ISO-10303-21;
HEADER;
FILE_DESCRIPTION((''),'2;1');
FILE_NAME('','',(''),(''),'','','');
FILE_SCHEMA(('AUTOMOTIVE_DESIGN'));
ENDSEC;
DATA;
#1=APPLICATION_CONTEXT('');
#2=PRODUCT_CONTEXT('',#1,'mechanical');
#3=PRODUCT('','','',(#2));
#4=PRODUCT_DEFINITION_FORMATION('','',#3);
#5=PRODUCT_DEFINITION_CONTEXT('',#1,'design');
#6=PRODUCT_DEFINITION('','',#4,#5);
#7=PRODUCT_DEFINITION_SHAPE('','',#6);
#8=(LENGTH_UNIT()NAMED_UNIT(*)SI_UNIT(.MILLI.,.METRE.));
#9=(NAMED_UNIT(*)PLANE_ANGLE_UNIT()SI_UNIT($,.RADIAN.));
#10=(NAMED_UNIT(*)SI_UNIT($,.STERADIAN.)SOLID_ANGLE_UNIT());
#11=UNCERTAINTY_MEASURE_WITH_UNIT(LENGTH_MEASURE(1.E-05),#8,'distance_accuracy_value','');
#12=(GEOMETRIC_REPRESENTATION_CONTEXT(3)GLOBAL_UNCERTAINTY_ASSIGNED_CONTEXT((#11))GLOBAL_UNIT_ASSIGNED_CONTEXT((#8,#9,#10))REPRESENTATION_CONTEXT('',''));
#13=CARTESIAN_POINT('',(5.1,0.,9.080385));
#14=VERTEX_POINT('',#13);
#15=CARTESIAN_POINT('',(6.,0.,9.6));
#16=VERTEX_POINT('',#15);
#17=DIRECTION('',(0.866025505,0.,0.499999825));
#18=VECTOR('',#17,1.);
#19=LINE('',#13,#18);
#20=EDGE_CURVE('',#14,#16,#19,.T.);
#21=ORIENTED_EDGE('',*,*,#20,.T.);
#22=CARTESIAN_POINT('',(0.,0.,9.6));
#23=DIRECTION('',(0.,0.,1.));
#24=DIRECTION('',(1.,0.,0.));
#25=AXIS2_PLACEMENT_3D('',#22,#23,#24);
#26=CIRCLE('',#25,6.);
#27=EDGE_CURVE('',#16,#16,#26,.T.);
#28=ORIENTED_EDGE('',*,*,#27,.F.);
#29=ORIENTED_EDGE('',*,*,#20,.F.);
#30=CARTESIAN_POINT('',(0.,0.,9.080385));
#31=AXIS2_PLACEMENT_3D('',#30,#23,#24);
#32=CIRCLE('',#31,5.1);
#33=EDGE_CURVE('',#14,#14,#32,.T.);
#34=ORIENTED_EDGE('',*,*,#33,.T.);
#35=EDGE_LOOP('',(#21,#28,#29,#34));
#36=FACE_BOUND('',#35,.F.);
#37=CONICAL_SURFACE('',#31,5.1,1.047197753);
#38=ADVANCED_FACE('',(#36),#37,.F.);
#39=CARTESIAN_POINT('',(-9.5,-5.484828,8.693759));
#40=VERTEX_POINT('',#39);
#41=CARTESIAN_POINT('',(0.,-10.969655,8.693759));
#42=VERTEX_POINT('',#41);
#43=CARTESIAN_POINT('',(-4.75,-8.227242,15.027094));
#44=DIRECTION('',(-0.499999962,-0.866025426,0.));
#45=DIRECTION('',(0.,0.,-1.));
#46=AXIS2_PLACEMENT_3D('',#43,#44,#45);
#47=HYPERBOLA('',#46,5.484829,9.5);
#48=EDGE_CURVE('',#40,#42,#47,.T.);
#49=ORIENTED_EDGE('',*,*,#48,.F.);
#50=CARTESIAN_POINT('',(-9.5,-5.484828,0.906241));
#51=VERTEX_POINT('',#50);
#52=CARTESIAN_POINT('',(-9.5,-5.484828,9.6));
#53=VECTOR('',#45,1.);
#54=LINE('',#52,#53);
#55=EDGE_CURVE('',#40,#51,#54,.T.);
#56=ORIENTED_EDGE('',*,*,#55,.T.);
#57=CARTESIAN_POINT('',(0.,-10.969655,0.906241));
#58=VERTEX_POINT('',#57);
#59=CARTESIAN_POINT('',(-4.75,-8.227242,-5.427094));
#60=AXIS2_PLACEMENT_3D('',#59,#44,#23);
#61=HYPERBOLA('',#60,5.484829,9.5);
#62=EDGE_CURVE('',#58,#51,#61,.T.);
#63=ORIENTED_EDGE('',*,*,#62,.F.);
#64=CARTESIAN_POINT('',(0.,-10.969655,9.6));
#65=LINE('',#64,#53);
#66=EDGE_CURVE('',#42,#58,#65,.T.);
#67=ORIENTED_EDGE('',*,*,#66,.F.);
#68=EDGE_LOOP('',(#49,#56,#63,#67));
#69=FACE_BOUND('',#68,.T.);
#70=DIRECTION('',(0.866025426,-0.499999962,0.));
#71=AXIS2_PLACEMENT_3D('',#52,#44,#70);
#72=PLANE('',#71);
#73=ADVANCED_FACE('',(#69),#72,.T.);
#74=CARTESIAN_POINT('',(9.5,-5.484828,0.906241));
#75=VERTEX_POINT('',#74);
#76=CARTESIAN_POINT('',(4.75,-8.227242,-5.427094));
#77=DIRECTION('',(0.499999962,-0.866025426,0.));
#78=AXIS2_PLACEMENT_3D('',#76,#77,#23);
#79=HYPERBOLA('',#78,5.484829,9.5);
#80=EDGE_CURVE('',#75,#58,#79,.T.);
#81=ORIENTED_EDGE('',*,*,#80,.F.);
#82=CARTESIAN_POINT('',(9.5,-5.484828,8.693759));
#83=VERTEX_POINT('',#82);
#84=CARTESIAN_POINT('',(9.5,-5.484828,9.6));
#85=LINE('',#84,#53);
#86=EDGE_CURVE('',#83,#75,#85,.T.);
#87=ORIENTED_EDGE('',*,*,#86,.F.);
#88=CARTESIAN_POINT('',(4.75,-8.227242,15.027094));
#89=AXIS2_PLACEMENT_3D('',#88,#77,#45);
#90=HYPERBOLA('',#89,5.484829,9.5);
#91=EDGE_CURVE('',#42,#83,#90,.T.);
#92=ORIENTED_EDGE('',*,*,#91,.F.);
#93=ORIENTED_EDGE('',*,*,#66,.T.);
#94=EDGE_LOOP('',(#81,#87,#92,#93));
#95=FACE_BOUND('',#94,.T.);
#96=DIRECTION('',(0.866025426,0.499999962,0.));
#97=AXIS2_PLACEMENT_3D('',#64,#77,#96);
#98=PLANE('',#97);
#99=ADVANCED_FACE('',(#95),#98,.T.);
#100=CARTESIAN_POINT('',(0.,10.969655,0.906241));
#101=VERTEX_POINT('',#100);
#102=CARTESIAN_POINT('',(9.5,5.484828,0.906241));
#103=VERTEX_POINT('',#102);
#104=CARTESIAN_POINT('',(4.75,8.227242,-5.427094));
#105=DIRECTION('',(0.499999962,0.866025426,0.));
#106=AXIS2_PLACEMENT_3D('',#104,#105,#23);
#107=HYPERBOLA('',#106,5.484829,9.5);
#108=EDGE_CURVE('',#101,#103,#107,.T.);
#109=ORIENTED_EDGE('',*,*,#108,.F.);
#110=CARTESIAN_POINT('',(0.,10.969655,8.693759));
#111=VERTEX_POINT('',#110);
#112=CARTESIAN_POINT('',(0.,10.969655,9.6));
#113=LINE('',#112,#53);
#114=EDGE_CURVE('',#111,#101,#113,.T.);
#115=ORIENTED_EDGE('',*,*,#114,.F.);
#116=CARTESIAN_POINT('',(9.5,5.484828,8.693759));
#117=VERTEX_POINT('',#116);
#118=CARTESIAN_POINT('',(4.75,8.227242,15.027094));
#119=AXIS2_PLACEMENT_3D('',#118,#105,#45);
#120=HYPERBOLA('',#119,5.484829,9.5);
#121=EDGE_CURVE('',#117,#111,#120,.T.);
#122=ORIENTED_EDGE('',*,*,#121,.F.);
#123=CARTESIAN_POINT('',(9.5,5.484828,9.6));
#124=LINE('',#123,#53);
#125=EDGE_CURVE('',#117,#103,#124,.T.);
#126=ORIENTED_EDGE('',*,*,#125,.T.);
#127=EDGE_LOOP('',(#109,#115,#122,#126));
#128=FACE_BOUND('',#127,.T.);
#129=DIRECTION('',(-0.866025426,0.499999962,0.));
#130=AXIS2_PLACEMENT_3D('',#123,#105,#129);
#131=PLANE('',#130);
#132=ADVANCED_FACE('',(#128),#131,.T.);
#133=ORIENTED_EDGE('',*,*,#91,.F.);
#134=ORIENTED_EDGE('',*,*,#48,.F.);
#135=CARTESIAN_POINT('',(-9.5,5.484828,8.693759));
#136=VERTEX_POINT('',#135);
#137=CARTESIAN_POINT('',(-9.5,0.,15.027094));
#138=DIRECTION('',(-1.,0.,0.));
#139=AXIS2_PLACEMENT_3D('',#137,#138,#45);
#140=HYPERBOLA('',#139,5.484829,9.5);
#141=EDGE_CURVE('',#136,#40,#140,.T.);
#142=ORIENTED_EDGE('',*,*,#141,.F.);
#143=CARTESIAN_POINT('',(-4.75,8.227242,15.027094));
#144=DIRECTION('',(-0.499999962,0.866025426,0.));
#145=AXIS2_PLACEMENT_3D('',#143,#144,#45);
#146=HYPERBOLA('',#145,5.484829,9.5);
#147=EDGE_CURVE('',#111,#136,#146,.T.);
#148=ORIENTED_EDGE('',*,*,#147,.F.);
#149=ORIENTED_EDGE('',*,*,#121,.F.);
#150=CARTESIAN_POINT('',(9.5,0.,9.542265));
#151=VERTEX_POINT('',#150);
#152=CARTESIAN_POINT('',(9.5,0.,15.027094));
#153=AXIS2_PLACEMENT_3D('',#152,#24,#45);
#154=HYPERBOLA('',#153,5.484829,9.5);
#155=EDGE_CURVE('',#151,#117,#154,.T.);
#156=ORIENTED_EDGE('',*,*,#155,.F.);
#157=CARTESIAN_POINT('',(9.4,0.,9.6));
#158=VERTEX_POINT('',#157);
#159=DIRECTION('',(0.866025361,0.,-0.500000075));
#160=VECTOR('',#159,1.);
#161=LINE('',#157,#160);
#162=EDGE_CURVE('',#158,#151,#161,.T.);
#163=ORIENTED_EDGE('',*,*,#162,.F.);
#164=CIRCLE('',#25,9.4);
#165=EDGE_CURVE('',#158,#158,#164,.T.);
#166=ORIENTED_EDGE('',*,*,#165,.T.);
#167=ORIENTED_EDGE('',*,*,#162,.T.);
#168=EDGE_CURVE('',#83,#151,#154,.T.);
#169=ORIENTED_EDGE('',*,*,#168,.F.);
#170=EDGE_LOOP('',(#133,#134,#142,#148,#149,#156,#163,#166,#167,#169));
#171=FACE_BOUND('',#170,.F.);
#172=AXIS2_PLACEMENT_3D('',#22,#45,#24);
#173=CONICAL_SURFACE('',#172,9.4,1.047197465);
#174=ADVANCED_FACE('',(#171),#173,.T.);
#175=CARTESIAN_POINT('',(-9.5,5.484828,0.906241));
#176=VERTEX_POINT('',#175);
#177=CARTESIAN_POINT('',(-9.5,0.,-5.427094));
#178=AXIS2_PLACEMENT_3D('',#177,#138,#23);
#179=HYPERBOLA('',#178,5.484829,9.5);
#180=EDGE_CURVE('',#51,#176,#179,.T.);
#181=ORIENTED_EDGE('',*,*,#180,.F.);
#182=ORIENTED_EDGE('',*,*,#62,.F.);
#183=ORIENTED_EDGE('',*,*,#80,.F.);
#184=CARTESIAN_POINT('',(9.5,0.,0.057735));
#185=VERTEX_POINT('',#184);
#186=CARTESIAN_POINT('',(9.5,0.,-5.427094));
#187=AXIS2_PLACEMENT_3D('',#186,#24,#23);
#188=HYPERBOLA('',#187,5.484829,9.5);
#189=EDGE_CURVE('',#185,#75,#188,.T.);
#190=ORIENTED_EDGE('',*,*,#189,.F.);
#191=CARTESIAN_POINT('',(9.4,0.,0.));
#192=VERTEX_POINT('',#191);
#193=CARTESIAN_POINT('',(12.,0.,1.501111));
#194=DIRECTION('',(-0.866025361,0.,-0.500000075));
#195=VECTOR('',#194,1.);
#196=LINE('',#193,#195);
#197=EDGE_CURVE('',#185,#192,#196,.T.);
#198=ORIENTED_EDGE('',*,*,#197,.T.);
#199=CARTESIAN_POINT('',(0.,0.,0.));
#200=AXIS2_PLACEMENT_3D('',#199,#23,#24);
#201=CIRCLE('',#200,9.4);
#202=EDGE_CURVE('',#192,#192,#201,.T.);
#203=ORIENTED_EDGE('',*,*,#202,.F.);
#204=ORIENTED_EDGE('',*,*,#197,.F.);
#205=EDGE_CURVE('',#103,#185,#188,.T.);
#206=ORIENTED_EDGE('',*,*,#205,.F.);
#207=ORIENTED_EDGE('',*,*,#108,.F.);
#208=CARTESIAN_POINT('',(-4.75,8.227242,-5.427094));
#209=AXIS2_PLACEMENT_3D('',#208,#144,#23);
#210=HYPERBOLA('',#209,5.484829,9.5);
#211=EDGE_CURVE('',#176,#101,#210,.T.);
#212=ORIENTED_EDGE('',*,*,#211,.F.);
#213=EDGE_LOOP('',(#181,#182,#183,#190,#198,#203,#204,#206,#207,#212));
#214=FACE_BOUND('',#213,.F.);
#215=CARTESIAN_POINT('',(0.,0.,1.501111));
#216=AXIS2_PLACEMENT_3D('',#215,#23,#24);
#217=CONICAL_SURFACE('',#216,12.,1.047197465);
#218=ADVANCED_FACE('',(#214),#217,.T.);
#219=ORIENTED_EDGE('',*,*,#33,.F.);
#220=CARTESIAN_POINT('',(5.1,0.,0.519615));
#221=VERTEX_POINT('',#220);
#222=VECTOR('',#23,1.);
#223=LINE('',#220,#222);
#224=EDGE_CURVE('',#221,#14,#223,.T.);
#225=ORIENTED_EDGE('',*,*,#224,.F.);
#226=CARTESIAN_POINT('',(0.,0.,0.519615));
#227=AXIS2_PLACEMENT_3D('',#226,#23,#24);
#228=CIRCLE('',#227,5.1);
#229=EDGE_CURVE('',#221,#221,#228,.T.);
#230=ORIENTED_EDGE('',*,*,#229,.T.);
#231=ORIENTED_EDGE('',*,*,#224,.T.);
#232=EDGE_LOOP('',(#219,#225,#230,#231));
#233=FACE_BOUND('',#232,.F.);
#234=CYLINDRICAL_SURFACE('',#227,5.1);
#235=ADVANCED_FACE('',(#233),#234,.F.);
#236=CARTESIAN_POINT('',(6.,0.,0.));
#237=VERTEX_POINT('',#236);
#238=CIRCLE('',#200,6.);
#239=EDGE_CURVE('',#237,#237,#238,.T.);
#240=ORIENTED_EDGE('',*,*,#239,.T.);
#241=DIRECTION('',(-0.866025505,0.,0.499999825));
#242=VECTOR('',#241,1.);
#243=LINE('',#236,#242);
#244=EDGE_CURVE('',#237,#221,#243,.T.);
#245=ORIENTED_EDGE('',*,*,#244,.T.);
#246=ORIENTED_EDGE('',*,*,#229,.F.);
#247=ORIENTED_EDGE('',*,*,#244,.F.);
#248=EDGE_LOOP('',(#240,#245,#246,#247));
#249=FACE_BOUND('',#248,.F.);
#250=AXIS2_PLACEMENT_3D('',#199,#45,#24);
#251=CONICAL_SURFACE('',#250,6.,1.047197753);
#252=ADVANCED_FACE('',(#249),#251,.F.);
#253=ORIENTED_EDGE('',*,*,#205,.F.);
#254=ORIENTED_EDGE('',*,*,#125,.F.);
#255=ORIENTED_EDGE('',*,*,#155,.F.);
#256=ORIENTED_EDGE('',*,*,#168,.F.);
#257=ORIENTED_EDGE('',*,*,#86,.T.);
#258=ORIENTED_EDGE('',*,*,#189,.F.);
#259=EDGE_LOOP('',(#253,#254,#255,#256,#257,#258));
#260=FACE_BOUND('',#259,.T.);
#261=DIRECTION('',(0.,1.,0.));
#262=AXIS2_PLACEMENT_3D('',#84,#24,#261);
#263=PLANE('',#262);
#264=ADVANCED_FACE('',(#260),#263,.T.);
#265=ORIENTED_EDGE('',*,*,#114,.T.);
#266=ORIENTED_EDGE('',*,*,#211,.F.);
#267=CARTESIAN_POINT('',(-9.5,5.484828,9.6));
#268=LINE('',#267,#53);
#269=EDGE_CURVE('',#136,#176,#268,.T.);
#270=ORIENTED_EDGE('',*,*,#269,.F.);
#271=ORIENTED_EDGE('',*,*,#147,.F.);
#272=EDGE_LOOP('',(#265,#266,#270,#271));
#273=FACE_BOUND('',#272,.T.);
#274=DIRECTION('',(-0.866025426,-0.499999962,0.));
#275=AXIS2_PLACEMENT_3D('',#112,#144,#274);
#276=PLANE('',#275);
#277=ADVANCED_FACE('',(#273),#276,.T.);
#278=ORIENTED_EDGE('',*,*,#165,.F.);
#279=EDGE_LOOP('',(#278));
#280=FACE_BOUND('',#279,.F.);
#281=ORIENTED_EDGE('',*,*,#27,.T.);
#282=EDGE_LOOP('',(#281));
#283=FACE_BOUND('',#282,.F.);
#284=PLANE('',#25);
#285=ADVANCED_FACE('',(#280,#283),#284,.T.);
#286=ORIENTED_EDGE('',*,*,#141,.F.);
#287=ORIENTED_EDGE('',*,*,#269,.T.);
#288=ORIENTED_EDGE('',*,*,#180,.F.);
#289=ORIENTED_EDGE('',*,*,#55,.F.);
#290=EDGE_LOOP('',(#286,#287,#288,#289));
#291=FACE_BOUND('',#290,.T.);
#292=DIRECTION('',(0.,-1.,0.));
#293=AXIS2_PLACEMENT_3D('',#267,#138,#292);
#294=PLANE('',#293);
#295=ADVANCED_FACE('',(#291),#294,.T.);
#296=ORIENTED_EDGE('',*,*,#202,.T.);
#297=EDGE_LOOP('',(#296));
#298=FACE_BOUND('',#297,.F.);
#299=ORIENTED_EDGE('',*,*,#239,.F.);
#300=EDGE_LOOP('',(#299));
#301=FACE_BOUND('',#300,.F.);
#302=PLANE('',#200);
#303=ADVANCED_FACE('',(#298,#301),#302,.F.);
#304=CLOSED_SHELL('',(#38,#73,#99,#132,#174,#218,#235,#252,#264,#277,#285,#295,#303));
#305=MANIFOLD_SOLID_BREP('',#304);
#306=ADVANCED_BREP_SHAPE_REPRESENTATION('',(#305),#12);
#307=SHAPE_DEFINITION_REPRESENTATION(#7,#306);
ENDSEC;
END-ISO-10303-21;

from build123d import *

# Parameters (mm, degrees)
SKETCH001_R  = 12
POCKET_DEPTH = 9.6


with BuildPart() as part:
    # Sketch → Revolution (revolve)
    with BuildSketch(Plane.XZ):
        Polygon((6, 0), (5.1, 0.519615), (5.1, 9.080385), (6, 9.6), (9.4, 9.6), (12, 8.098889), (12, 1.501111), (9.4, 0), align=None)
    revolve(axis=Axis((0, 0, 0), (0, 0, 1)))

    # Sketch001 → Pocket (cut)
    with BuildSketch(Plane(origin=(0, 0, 9.6), x_dir=(-1, 0, 0), z_dir=(0, 0, 1))):
        Circle(SKETCH001_R)
        Polygon((-9.5, 5.484828), (-9.5, -5.484828), (0, -10.969655), (9.5, -5.484828), (9.5, 5.484828), (0, 10.969655), align=None, mode=Mode.SUBTRACT)
    extrude(amount=-POCKET_DEPTH, mode=Mode.SUBTRACT)


solid = part.part
